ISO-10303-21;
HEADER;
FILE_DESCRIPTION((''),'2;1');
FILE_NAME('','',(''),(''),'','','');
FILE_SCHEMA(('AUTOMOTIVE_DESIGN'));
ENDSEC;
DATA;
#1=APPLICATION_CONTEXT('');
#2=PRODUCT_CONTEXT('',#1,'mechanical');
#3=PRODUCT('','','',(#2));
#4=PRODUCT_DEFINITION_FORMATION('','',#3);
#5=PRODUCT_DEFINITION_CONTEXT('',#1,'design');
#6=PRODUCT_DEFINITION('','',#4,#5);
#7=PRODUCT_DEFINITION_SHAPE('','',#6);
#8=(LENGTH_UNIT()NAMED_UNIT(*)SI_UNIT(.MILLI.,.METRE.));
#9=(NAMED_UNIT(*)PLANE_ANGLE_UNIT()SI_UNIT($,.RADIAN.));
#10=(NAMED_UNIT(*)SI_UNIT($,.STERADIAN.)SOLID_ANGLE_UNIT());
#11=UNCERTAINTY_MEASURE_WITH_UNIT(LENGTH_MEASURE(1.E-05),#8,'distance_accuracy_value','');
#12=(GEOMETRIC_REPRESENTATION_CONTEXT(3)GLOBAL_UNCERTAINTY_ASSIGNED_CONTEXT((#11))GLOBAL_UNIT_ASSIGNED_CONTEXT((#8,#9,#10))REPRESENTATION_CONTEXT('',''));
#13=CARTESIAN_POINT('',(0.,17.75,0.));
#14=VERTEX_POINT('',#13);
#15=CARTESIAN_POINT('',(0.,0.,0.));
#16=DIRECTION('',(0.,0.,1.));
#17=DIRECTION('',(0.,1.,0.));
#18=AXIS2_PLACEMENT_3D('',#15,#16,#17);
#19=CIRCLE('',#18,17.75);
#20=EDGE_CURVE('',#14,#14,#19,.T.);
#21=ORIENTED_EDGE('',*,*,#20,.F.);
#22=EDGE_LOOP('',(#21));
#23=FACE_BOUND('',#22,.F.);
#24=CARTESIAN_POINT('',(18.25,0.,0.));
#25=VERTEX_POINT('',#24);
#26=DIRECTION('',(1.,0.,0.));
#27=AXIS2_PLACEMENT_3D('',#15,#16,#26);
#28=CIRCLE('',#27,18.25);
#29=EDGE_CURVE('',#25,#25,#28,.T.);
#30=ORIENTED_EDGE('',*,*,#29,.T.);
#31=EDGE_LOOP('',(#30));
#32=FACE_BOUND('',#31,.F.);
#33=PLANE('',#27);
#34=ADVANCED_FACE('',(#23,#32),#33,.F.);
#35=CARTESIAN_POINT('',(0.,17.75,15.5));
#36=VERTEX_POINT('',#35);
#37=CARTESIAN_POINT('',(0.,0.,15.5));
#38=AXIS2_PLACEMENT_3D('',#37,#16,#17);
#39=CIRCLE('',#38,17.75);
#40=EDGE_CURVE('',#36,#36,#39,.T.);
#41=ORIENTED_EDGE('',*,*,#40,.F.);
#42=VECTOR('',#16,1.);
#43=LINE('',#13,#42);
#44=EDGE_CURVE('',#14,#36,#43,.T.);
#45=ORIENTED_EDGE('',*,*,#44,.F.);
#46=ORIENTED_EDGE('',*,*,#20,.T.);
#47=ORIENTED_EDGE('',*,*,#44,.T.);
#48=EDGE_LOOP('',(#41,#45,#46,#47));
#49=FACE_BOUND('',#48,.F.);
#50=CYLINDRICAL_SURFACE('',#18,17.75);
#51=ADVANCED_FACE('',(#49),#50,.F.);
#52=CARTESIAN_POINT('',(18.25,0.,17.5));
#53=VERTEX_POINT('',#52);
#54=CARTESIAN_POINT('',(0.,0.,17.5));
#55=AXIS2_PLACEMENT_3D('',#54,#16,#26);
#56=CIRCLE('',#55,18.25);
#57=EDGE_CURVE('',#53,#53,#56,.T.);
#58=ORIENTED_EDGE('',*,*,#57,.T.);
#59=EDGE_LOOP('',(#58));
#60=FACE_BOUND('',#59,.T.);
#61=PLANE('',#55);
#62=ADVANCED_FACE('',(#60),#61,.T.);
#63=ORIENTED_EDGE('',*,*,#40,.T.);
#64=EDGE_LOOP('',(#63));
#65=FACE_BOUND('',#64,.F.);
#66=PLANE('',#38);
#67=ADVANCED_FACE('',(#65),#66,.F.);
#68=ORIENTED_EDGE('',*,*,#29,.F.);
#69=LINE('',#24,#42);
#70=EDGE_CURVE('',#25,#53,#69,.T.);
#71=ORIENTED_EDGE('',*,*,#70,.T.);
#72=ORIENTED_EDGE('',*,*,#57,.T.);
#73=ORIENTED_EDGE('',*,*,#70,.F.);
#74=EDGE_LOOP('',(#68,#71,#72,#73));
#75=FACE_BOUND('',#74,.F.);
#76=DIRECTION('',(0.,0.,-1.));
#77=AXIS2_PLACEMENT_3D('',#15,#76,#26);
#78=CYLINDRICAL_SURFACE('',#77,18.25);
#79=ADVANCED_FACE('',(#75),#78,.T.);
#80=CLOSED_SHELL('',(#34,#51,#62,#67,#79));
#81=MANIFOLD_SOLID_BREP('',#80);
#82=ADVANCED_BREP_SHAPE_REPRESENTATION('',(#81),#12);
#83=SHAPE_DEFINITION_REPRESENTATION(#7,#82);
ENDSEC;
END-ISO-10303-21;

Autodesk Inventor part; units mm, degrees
ref_plane "YZ Plane" through (0, 0, 0) normal (1, 0, 0) x (0, 1, 0)
ref_plane "XZ Plane" through (0, 0, 0) normal (0, 1, 0) x (-1, 0, 0)
ref_plane "XY Plane" through (0, 0, 0) normal (0, 0, 1) x (1, 0, 0)
sketch "Sketch1" plane through (0, 0, 0) normal (0, 0, 1) x (1, 0, 0)
  circle A0 centre (0, 0) radius 18.25
  dimension "d0" = 36.5
extrude "Extrusion1" add sketch "Sketch1" along normal blind 17.5
hole "Hole1" at (0, 0, 0) direction (0, 0, 1) diameter 35.5 depth 15.5
properties part number "motor_back_cover"
